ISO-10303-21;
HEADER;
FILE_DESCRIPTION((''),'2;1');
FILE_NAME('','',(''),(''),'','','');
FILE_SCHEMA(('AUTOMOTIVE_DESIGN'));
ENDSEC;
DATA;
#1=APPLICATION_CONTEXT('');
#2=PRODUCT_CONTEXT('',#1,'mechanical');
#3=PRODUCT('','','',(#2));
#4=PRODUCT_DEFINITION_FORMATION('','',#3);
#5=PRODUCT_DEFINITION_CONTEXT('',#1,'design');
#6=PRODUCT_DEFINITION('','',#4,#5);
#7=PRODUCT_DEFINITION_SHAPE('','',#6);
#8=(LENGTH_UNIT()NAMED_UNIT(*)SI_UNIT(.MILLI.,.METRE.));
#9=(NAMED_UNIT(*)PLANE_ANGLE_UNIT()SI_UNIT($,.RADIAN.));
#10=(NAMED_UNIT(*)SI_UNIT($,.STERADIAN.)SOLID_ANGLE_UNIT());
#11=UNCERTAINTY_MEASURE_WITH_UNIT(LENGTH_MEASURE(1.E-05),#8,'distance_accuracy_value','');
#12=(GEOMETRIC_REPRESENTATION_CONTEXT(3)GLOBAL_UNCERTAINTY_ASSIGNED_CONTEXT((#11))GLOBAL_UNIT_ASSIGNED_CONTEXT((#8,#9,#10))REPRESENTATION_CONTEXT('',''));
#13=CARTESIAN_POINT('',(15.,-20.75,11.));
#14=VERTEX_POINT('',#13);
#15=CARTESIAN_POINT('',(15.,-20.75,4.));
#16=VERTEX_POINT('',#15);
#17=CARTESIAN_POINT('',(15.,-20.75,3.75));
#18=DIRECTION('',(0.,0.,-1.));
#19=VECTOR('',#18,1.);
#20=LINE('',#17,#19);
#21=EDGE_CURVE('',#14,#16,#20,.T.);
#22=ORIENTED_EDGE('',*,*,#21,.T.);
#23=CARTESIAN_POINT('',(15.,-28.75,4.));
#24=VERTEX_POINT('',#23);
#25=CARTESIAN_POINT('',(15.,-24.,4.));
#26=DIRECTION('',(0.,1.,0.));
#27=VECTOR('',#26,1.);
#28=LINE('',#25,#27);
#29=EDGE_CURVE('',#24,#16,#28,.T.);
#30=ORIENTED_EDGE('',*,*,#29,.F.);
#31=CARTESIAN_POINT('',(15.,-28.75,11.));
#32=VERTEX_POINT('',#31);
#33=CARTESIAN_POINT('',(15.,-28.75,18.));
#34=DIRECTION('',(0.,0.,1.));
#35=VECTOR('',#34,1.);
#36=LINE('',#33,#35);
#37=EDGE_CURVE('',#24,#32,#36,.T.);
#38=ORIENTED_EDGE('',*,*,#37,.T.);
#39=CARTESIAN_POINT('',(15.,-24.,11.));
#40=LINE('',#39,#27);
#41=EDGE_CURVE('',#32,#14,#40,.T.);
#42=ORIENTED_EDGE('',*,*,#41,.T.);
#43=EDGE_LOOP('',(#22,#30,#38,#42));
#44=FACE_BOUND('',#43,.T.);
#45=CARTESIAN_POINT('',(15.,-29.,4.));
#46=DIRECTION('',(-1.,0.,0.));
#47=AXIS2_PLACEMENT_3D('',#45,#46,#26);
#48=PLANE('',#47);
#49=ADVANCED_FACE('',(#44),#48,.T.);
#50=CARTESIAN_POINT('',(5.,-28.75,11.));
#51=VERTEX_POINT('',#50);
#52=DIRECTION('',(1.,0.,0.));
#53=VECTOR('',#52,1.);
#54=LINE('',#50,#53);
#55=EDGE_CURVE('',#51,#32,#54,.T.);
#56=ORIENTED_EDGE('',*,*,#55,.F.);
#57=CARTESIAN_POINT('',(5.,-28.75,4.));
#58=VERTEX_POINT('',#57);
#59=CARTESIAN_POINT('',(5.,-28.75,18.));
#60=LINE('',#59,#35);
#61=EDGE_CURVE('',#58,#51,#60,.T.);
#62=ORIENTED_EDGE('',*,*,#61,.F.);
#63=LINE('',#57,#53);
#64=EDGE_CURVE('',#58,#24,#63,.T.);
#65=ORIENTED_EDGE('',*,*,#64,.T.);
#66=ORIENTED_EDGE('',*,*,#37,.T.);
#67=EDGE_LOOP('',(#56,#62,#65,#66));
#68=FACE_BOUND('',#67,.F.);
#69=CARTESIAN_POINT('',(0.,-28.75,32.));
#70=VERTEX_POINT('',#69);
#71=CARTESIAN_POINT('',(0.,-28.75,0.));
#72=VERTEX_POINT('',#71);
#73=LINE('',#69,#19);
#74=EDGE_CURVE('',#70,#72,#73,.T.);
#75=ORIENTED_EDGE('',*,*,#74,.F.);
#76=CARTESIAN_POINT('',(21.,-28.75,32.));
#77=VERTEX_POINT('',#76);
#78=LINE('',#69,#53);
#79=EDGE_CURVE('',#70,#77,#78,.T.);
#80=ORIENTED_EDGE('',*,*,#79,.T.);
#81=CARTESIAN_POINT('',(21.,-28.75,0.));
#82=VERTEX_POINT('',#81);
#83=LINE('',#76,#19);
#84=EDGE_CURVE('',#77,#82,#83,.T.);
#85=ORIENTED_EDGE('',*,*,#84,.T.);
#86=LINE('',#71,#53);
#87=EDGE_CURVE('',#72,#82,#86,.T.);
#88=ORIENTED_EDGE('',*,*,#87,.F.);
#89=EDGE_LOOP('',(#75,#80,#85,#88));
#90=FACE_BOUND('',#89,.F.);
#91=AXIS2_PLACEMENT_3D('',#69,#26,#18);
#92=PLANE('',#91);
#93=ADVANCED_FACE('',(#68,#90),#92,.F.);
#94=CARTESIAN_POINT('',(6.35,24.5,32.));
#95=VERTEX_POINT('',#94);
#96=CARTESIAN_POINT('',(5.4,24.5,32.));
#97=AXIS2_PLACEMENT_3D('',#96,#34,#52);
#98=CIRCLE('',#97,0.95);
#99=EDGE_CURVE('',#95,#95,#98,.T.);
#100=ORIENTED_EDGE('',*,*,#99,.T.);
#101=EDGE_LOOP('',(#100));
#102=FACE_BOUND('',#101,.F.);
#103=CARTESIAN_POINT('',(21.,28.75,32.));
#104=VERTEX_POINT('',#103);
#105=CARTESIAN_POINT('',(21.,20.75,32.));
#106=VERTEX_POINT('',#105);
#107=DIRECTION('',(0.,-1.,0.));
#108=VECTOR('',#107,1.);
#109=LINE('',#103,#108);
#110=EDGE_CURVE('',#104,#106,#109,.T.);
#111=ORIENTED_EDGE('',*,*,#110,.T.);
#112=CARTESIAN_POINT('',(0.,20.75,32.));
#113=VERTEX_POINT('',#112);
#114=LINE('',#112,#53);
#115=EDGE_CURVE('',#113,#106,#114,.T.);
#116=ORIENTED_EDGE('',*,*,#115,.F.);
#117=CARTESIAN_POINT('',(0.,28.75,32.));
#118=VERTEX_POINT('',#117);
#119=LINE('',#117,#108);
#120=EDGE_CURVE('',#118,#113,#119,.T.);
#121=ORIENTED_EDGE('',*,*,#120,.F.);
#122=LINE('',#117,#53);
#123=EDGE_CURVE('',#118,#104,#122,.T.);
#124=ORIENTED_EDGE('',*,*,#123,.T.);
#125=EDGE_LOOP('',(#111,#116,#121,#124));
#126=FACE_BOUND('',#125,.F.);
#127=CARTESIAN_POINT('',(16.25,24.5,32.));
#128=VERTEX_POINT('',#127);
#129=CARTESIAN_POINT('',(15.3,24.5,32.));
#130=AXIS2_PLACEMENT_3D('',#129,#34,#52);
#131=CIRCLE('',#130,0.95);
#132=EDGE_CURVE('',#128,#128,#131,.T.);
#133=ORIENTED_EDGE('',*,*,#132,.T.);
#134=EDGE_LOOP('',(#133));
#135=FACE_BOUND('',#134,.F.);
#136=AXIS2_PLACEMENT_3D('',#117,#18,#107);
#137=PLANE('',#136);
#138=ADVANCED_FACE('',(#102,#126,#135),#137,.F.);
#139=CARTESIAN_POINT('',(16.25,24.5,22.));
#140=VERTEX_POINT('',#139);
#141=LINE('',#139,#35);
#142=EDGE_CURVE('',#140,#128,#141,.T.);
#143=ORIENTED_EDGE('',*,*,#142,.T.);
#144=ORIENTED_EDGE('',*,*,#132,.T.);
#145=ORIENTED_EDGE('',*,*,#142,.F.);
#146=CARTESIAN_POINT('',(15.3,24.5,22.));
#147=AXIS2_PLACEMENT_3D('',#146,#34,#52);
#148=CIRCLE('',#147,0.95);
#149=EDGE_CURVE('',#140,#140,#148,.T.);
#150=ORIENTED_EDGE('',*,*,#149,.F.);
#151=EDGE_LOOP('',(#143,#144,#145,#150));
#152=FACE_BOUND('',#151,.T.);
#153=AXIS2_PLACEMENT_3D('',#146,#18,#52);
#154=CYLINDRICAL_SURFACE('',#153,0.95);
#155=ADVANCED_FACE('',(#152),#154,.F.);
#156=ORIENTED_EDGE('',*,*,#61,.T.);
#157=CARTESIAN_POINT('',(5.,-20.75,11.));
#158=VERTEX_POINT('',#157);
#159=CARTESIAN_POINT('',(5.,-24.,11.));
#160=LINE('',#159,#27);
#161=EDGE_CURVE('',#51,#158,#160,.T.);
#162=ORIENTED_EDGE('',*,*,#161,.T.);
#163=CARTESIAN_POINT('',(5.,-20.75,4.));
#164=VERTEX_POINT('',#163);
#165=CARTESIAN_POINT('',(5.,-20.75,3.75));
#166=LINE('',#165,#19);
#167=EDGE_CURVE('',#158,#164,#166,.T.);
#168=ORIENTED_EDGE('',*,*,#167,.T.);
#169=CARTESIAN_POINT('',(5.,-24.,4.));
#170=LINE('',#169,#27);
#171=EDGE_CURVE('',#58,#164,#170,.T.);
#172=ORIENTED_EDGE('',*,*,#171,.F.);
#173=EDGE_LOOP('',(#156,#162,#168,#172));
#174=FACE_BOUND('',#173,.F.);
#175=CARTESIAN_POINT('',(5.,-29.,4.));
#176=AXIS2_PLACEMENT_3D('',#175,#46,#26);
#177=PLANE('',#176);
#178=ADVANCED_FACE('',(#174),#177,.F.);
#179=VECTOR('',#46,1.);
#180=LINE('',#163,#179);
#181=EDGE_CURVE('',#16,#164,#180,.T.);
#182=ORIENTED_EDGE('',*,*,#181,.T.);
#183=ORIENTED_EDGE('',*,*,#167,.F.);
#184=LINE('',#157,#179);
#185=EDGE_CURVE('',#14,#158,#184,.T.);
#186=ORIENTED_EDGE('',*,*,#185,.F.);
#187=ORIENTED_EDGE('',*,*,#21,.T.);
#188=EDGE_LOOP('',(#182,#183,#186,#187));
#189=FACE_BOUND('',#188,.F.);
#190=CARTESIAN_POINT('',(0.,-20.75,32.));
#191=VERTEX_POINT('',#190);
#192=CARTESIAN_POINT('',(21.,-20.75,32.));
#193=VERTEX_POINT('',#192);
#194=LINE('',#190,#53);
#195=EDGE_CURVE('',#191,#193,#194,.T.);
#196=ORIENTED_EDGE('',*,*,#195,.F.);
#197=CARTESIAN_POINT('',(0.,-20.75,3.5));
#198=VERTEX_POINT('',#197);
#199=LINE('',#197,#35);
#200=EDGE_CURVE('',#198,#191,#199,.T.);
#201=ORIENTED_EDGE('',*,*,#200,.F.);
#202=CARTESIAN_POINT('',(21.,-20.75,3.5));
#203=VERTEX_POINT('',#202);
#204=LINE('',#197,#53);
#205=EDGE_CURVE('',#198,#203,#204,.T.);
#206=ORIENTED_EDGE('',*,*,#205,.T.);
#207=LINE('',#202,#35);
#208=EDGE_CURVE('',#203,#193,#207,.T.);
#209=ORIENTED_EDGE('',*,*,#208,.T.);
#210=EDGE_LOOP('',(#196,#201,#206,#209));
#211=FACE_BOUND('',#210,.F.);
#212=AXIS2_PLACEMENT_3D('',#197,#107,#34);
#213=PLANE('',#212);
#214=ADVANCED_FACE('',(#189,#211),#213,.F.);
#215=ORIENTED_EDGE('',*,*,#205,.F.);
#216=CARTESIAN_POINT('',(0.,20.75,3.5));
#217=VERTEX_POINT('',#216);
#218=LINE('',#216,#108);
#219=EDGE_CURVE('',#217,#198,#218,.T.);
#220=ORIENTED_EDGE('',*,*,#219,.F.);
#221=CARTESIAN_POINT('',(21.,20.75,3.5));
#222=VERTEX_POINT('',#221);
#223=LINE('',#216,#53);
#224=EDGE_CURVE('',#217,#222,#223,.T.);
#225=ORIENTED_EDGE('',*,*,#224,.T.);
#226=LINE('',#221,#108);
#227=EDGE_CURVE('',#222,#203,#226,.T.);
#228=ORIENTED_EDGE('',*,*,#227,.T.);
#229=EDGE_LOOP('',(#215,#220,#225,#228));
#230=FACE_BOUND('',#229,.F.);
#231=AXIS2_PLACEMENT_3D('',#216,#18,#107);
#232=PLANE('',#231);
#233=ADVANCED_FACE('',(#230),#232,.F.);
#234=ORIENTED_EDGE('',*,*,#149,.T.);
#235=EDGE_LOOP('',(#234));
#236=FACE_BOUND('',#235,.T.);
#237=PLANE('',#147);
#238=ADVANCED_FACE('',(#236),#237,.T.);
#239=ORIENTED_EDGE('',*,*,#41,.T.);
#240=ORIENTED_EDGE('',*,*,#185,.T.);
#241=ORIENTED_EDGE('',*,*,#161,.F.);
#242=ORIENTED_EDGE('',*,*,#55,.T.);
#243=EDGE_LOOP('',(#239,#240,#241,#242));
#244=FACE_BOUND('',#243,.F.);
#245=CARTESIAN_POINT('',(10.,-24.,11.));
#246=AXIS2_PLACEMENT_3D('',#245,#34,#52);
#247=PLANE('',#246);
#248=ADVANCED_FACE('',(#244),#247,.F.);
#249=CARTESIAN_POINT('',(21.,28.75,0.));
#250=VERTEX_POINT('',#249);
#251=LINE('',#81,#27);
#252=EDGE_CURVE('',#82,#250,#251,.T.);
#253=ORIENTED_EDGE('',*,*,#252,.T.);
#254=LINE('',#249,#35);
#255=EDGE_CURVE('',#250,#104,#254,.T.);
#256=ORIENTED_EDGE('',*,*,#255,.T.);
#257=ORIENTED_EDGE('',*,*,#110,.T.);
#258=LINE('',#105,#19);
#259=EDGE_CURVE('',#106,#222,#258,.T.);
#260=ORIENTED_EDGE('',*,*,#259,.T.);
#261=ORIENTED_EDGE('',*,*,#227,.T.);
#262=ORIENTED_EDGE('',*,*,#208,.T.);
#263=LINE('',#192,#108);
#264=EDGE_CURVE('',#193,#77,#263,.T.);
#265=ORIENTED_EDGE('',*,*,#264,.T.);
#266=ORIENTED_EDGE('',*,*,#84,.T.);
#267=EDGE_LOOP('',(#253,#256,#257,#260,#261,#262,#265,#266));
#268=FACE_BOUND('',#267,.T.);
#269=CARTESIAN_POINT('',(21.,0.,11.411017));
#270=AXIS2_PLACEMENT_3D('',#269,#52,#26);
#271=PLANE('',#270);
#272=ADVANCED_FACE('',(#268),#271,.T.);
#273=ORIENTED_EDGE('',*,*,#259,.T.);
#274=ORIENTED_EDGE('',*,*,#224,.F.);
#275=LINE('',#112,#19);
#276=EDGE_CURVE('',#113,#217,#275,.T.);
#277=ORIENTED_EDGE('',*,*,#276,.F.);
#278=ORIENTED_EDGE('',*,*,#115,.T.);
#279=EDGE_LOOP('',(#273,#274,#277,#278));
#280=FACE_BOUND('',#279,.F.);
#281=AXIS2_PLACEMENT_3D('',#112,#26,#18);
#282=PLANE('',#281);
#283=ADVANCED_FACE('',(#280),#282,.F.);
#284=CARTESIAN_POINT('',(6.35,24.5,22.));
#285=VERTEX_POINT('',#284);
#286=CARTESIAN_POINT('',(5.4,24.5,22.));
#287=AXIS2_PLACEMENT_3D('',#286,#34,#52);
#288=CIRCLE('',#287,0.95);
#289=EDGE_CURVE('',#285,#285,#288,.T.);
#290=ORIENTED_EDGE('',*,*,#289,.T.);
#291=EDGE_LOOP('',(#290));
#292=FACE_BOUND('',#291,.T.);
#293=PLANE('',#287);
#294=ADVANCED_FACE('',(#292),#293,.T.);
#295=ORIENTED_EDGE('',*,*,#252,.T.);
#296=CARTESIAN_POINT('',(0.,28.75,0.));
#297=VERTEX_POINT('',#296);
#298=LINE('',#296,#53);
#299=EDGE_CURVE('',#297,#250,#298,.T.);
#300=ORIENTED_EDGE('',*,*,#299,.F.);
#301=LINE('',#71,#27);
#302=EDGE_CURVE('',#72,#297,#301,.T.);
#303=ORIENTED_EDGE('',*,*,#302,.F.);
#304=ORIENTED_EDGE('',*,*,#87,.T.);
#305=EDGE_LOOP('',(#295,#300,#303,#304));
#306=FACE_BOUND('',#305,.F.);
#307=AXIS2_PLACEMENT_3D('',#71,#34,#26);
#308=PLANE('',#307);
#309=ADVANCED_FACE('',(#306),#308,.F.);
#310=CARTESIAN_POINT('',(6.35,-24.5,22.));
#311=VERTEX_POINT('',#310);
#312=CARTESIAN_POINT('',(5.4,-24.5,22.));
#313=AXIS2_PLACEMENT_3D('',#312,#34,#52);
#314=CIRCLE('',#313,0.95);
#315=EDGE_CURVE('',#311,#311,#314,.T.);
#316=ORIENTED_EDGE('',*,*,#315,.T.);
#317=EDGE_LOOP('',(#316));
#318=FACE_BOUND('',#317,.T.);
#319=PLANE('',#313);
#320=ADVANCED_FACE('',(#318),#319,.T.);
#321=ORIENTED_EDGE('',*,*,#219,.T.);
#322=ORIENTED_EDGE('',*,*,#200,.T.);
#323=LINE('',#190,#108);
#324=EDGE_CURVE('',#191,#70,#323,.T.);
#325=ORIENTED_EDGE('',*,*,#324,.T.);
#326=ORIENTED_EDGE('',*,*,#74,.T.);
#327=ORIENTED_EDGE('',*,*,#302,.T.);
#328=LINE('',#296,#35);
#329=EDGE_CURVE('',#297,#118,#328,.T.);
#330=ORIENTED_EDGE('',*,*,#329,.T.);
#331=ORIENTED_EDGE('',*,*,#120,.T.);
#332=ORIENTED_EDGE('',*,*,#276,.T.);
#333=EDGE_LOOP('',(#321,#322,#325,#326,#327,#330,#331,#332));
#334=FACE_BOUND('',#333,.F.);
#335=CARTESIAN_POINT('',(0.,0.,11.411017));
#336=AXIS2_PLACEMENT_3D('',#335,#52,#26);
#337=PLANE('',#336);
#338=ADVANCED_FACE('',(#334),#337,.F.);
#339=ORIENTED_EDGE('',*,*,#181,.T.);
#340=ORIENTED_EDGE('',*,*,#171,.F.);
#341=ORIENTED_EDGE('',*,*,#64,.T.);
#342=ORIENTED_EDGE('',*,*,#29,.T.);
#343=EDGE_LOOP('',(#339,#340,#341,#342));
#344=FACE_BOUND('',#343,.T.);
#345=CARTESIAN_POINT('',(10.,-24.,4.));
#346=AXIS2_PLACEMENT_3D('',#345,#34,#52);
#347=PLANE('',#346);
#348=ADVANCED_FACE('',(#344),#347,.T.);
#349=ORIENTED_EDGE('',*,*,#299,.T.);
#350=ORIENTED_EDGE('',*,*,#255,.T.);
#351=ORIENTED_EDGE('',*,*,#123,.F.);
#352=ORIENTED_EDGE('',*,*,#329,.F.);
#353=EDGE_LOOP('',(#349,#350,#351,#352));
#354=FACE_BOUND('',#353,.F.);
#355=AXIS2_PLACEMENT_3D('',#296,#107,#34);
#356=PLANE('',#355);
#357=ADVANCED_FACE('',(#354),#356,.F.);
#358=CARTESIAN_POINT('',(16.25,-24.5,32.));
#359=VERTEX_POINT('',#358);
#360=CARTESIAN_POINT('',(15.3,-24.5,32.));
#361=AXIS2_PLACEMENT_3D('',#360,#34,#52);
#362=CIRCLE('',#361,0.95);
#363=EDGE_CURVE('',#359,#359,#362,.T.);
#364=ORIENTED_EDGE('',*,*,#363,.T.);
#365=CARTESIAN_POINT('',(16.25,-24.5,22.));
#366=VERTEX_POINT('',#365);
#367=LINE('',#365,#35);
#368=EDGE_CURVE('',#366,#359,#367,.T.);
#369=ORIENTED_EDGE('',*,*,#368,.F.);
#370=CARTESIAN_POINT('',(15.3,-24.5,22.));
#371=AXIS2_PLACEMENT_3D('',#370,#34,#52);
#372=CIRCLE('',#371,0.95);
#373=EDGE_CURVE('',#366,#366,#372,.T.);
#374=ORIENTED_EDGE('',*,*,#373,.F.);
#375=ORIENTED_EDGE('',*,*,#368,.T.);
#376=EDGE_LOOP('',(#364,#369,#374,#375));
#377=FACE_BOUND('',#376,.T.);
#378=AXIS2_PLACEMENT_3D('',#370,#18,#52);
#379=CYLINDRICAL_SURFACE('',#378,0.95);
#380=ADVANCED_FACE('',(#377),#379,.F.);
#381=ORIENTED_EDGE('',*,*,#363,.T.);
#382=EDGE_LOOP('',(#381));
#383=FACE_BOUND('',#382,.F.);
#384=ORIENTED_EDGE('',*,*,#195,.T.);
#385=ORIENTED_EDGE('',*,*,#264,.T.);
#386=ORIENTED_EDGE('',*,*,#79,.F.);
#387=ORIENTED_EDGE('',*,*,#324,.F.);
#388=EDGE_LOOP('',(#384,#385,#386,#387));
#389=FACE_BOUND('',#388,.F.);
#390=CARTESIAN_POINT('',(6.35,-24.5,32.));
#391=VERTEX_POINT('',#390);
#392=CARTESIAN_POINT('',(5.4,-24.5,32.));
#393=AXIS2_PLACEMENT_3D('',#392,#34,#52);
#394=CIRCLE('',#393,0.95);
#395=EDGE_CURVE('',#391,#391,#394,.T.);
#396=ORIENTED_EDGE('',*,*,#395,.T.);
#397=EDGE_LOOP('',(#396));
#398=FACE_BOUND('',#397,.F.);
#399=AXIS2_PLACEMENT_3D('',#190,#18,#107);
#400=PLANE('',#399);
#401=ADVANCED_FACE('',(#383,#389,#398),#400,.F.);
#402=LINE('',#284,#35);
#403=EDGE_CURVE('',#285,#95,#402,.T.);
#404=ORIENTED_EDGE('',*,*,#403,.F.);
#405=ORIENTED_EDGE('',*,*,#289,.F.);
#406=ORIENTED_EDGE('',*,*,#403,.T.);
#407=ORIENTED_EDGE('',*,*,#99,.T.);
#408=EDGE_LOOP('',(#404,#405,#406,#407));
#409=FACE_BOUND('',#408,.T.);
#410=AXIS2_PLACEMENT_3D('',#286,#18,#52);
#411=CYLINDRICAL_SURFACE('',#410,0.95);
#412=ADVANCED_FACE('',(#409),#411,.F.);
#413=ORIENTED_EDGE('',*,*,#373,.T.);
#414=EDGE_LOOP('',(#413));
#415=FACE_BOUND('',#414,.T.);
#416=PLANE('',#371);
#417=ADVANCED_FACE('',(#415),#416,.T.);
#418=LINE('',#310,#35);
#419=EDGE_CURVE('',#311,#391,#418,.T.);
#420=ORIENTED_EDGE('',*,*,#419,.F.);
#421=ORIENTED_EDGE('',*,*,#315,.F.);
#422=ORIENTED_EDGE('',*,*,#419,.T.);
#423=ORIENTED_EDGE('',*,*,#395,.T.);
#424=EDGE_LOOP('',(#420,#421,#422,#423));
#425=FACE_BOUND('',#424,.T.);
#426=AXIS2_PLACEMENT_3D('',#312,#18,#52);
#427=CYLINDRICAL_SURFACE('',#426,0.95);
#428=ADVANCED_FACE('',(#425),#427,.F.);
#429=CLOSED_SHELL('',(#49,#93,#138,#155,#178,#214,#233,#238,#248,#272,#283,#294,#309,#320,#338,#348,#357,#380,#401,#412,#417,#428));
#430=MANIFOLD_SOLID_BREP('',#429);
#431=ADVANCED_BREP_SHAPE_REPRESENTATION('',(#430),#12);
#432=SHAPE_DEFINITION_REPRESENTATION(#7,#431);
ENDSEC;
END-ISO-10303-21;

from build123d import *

# Parameters (mm, degrees)
CYLINDER002_R     = 0.95
CYLINDER002_DEPTH = 10
CYLINDER003_R     = 0.95
CYLINDER003_DEPTH = 10
CYLINDER_R        = 0.95
CYLINDER_DEPTH    = 10
CYLINDER001_R     = 0.95
CYLINDER001_DEPTH = 10
BOX_W             = 10
BOX_H             = 10
BOX_DEPTH         = 7
PAD_DEPTH         = 21


with BuildPart() as cylinder002:
    # Cylinder002 → Cylinder002 (new body)
    with BuildSketch(Plane(origin=(9.9, 0, 0), x_dir=(1, 0, 0), z_dir=(0, 0, 1))):
        Circle(CYLINDER002_R)
    extrude(amount=CYLINDER002_DEPTH)


with BuildPart() as tornillos001:
    # Cylinder003 → Cylinder003 (new body)
    with BuildSketch(Plane.XY):
        Circle(CYLINDER003_R)
    extrude(amount=CYLINDER003_DEPTH)

    # Fusion001: union Cylinder002
    add(cylinder002.part)


with BuildPart() as tornillos001_1:
    # Fusion001 placement: moved
    add(tornillos001.part.moved(Location((5, -24.5, 22))))


with BuildPart() as cylinder:
    # Cylinder → Cylinder (new body)
    with BuildSketch(Plane(origin=(9.9, 0, 0), x_dir=(1, 0, 0), z_dir=(0, 0, 1))):
        Circle(CYLINDER_R)
    extrude(amount=CYLINDER_DEPTH)


with BuildPart() as fusion002:
    # Cylinder001 → Cylinder001 (new body)
    with BuildSketch(Plane.XY):
        Circle(CYLINDER001_R)
    extrude(amount=CYLINDER001_DEPTH)

    # Fusion: union Cylinder
    add(cylinder.part)


with BuildPart() as fusion002_1:
    # Fusion placement: moved
    add(fusion002.part.moved(Location((5, 24.5, 22))))

    # Fusion002: union Tornillos001
    add(tornillos001_1.part)


with BuildPart() as fusion002_2:
    # Fusion002 placement: moved
    add(fusion002_1.part.moved(Location((0.4, 0, 0))))


with BuildPart() as cube:
    # Box → Box (new body)
    with BuildSketch(Plane(origin=(5, -29, 4), x_dir=(1, 0, 0), z_dir=(0, 0, 1))):
        with Locations((5, 5)):
            Rectangle(BOX_W, BOX_H)
    extrude(amount=BOX_DEPTH)


with BuildPart() as holder001:
    # Sketch → Pad (new body)
    with BuildSketch(Plane.YZ):
        Polygon((-28.75, 32), (-28.75, 0), (28.75, 0), (28.75, 32), (20.75, 32), (20.75, 3.5), (-20.75, 3.5), (-20.75, 32), align=None)
    extrude(amount=PAD_DEPTH)

    # Cut: cut Cube
    add(cube.part, mode=Mode.SUBTRACT)

    # Cut001: cut Fusion002
    add(fusion002_2.part, mode=Mode.SUBTRACT)


solid = holder001.part
